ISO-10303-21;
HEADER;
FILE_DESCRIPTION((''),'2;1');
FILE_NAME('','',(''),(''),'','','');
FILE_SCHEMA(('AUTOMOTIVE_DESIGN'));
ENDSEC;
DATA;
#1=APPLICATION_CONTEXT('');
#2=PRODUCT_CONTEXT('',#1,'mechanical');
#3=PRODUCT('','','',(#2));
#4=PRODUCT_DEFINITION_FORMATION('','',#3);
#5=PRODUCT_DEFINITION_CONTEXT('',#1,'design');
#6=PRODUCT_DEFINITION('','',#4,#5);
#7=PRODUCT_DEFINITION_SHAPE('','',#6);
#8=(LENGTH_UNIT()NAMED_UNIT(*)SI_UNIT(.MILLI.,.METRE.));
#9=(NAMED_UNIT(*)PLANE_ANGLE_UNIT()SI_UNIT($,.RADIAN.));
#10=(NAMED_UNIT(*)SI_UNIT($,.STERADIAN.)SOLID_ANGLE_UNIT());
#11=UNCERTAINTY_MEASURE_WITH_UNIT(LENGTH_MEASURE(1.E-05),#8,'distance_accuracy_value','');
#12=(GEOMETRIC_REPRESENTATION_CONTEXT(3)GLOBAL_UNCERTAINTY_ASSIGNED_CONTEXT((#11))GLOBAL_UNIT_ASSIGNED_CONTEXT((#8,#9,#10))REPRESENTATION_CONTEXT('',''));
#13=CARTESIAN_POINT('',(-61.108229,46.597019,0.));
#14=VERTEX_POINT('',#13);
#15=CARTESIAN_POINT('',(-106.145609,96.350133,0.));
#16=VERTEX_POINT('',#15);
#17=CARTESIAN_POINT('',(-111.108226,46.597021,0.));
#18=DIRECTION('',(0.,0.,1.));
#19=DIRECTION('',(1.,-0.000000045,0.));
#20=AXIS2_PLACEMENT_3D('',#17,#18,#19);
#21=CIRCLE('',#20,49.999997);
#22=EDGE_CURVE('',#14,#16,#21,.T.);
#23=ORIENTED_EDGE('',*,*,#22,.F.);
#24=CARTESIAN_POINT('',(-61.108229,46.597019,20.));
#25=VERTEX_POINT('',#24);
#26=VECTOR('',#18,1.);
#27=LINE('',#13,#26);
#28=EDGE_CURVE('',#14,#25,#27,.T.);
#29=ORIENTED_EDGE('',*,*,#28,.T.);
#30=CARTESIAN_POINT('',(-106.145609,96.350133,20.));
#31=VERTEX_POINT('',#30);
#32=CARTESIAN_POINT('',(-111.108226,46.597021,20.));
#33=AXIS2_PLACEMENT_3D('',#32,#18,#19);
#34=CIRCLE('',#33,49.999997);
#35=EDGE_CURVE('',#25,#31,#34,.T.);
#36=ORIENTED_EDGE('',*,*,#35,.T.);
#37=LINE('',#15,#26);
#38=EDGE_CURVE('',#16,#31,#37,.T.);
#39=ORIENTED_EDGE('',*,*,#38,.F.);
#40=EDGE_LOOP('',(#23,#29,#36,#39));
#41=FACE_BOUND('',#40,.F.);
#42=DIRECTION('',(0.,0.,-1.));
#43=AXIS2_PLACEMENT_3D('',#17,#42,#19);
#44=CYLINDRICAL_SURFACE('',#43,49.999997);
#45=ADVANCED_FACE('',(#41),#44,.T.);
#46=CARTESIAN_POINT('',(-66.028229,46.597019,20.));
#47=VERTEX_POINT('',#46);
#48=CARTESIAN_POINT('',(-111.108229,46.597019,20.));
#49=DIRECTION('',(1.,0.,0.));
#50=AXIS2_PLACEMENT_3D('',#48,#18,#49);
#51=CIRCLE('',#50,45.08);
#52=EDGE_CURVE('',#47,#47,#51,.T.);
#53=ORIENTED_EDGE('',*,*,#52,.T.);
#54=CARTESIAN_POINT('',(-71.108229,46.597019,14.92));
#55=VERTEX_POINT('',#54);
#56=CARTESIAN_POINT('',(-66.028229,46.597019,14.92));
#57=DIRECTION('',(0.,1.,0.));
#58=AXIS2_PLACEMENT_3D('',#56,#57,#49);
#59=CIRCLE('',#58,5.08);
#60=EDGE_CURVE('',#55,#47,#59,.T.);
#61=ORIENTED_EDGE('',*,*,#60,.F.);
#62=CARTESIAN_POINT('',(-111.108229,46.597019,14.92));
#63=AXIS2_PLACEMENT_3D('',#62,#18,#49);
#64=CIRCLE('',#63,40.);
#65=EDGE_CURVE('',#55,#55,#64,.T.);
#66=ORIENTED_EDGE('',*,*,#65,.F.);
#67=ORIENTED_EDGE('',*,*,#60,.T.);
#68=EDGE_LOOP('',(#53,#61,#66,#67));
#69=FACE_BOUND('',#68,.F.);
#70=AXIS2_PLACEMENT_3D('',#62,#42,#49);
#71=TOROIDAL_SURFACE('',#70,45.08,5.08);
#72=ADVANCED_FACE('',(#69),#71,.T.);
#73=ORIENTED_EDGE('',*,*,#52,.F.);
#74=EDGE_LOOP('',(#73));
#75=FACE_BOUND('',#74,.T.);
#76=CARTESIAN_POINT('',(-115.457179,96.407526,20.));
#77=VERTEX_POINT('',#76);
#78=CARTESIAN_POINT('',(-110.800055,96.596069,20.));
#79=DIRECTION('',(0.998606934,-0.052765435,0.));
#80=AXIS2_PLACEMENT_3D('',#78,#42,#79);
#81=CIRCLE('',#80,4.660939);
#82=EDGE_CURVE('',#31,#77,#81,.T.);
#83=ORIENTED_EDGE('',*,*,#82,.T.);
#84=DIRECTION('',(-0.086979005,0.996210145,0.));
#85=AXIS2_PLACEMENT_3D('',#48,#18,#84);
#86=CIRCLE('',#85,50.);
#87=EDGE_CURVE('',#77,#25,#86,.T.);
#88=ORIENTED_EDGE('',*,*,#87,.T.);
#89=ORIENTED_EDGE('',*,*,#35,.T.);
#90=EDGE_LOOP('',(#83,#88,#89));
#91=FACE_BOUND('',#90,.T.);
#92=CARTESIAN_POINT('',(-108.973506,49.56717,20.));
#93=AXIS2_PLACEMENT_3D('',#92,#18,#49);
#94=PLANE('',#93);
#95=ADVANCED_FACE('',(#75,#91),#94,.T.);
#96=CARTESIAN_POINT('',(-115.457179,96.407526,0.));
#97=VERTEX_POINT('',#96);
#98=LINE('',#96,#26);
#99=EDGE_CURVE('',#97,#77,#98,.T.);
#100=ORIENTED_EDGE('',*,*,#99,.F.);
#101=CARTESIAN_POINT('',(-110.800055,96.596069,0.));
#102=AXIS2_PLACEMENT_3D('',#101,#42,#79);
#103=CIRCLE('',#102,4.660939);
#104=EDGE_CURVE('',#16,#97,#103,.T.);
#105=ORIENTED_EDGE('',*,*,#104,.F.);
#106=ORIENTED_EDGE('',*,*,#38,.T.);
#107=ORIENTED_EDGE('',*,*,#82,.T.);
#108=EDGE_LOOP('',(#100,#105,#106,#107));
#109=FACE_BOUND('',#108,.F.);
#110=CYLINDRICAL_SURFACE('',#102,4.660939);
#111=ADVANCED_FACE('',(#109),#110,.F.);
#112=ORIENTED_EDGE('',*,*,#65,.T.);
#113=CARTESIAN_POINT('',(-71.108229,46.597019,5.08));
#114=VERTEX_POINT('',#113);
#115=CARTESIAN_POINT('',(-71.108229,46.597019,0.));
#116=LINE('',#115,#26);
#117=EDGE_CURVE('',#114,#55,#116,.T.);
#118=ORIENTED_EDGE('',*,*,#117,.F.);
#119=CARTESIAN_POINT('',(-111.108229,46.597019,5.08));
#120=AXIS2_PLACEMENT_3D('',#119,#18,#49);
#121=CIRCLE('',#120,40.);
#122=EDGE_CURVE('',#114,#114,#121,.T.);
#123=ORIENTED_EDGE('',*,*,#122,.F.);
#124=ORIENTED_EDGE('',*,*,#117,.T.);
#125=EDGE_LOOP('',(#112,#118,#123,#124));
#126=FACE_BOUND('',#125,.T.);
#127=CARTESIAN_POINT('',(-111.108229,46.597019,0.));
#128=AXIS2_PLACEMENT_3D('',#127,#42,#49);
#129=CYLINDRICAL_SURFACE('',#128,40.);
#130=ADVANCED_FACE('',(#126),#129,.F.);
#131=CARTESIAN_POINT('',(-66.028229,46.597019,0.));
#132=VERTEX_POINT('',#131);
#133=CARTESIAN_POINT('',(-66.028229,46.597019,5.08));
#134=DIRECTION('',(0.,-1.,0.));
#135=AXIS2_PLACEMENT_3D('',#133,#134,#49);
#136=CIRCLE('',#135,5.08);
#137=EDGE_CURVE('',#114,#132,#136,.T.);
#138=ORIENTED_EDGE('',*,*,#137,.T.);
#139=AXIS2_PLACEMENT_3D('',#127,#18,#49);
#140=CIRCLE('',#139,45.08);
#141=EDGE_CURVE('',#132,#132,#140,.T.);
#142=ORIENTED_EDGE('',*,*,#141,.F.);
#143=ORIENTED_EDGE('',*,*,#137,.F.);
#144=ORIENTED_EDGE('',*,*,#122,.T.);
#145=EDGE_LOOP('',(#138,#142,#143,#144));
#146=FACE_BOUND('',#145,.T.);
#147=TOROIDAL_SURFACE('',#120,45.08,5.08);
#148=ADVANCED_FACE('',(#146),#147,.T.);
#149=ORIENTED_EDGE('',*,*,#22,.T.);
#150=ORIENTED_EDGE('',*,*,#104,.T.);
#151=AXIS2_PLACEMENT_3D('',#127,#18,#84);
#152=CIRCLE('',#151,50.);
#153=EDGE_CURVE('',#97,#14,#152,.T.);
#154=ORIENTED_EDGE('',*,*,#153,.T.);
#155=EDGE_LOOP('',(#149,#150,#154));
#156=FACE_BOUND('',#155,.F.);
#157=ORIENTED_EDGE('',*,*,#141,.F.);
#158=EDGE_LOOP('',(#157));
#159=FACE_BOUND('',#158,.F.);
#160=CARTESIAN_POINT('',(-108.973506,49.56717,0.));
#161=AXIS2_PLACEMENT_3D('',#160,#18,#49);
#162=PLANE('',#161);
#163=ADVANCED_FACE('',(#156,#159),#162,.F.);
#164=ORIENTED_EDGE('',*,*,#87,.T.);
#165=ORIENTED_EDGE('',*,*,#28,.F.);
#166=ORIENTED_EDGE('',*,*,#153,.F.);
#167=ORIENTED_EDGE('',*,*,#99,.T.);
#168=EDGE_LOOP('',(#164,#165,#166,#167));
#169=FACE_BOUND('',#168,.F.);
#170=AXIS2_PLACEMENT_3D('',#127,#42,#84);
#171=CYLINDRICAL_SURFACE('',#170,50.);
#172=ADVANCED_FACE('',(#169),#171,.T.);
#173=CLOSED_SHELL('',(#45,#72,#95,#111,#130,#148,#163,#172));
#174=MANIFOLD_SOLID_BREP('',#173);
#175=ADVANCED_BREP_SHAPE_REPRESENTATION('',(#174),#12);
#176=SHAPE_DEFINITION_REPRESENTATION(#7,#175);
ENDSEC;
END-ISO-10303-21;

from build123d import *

# Parameters (mm, degrees)
F0_R     = 40
F1_DEPTH = 20
F2_R     = 5.08
F3_R     = 5.08


with BuildPart() as f1:
    # F0 (on Top) → F1 (new body)
    with BuildSketch(Plane.XY):
        with BuildLine():
            ThreePointArc((-115.457179, 96.407526), (-144.891009, 9.736149), (-61.108229, 46.597019))
            ThreePointArc((-61.108229, 46.597019), (-74.039839, 80.151967), (-106.145609, 96.350133))
            ThreePointArc((-106.145609, 96.350133), (-110.828783, 91.935219), (-115.457179, 96.407526))
        make_face()
        with Locations((-111.108229, 46.597019)):
            Circle(F0_R, mode=Mode.SUBTRACT)
    extrude(amount=F1_DEPTH)

    # F2
    f2_edges = [f1.edges().sort_by_distance(p)[0] for p in [
        (-151.108229, 46.597019, 20),
    ]]
    fillet(f2_edges, radius=F2_R)

    # F3
    f3_edges = [f1.edges().sort_by_distance(p)[0] for p in [
        (-151.108229, 46.597019, 0),
    ]]
    fillet(f3_edges, radius=F3_R)


solid = f1.part
